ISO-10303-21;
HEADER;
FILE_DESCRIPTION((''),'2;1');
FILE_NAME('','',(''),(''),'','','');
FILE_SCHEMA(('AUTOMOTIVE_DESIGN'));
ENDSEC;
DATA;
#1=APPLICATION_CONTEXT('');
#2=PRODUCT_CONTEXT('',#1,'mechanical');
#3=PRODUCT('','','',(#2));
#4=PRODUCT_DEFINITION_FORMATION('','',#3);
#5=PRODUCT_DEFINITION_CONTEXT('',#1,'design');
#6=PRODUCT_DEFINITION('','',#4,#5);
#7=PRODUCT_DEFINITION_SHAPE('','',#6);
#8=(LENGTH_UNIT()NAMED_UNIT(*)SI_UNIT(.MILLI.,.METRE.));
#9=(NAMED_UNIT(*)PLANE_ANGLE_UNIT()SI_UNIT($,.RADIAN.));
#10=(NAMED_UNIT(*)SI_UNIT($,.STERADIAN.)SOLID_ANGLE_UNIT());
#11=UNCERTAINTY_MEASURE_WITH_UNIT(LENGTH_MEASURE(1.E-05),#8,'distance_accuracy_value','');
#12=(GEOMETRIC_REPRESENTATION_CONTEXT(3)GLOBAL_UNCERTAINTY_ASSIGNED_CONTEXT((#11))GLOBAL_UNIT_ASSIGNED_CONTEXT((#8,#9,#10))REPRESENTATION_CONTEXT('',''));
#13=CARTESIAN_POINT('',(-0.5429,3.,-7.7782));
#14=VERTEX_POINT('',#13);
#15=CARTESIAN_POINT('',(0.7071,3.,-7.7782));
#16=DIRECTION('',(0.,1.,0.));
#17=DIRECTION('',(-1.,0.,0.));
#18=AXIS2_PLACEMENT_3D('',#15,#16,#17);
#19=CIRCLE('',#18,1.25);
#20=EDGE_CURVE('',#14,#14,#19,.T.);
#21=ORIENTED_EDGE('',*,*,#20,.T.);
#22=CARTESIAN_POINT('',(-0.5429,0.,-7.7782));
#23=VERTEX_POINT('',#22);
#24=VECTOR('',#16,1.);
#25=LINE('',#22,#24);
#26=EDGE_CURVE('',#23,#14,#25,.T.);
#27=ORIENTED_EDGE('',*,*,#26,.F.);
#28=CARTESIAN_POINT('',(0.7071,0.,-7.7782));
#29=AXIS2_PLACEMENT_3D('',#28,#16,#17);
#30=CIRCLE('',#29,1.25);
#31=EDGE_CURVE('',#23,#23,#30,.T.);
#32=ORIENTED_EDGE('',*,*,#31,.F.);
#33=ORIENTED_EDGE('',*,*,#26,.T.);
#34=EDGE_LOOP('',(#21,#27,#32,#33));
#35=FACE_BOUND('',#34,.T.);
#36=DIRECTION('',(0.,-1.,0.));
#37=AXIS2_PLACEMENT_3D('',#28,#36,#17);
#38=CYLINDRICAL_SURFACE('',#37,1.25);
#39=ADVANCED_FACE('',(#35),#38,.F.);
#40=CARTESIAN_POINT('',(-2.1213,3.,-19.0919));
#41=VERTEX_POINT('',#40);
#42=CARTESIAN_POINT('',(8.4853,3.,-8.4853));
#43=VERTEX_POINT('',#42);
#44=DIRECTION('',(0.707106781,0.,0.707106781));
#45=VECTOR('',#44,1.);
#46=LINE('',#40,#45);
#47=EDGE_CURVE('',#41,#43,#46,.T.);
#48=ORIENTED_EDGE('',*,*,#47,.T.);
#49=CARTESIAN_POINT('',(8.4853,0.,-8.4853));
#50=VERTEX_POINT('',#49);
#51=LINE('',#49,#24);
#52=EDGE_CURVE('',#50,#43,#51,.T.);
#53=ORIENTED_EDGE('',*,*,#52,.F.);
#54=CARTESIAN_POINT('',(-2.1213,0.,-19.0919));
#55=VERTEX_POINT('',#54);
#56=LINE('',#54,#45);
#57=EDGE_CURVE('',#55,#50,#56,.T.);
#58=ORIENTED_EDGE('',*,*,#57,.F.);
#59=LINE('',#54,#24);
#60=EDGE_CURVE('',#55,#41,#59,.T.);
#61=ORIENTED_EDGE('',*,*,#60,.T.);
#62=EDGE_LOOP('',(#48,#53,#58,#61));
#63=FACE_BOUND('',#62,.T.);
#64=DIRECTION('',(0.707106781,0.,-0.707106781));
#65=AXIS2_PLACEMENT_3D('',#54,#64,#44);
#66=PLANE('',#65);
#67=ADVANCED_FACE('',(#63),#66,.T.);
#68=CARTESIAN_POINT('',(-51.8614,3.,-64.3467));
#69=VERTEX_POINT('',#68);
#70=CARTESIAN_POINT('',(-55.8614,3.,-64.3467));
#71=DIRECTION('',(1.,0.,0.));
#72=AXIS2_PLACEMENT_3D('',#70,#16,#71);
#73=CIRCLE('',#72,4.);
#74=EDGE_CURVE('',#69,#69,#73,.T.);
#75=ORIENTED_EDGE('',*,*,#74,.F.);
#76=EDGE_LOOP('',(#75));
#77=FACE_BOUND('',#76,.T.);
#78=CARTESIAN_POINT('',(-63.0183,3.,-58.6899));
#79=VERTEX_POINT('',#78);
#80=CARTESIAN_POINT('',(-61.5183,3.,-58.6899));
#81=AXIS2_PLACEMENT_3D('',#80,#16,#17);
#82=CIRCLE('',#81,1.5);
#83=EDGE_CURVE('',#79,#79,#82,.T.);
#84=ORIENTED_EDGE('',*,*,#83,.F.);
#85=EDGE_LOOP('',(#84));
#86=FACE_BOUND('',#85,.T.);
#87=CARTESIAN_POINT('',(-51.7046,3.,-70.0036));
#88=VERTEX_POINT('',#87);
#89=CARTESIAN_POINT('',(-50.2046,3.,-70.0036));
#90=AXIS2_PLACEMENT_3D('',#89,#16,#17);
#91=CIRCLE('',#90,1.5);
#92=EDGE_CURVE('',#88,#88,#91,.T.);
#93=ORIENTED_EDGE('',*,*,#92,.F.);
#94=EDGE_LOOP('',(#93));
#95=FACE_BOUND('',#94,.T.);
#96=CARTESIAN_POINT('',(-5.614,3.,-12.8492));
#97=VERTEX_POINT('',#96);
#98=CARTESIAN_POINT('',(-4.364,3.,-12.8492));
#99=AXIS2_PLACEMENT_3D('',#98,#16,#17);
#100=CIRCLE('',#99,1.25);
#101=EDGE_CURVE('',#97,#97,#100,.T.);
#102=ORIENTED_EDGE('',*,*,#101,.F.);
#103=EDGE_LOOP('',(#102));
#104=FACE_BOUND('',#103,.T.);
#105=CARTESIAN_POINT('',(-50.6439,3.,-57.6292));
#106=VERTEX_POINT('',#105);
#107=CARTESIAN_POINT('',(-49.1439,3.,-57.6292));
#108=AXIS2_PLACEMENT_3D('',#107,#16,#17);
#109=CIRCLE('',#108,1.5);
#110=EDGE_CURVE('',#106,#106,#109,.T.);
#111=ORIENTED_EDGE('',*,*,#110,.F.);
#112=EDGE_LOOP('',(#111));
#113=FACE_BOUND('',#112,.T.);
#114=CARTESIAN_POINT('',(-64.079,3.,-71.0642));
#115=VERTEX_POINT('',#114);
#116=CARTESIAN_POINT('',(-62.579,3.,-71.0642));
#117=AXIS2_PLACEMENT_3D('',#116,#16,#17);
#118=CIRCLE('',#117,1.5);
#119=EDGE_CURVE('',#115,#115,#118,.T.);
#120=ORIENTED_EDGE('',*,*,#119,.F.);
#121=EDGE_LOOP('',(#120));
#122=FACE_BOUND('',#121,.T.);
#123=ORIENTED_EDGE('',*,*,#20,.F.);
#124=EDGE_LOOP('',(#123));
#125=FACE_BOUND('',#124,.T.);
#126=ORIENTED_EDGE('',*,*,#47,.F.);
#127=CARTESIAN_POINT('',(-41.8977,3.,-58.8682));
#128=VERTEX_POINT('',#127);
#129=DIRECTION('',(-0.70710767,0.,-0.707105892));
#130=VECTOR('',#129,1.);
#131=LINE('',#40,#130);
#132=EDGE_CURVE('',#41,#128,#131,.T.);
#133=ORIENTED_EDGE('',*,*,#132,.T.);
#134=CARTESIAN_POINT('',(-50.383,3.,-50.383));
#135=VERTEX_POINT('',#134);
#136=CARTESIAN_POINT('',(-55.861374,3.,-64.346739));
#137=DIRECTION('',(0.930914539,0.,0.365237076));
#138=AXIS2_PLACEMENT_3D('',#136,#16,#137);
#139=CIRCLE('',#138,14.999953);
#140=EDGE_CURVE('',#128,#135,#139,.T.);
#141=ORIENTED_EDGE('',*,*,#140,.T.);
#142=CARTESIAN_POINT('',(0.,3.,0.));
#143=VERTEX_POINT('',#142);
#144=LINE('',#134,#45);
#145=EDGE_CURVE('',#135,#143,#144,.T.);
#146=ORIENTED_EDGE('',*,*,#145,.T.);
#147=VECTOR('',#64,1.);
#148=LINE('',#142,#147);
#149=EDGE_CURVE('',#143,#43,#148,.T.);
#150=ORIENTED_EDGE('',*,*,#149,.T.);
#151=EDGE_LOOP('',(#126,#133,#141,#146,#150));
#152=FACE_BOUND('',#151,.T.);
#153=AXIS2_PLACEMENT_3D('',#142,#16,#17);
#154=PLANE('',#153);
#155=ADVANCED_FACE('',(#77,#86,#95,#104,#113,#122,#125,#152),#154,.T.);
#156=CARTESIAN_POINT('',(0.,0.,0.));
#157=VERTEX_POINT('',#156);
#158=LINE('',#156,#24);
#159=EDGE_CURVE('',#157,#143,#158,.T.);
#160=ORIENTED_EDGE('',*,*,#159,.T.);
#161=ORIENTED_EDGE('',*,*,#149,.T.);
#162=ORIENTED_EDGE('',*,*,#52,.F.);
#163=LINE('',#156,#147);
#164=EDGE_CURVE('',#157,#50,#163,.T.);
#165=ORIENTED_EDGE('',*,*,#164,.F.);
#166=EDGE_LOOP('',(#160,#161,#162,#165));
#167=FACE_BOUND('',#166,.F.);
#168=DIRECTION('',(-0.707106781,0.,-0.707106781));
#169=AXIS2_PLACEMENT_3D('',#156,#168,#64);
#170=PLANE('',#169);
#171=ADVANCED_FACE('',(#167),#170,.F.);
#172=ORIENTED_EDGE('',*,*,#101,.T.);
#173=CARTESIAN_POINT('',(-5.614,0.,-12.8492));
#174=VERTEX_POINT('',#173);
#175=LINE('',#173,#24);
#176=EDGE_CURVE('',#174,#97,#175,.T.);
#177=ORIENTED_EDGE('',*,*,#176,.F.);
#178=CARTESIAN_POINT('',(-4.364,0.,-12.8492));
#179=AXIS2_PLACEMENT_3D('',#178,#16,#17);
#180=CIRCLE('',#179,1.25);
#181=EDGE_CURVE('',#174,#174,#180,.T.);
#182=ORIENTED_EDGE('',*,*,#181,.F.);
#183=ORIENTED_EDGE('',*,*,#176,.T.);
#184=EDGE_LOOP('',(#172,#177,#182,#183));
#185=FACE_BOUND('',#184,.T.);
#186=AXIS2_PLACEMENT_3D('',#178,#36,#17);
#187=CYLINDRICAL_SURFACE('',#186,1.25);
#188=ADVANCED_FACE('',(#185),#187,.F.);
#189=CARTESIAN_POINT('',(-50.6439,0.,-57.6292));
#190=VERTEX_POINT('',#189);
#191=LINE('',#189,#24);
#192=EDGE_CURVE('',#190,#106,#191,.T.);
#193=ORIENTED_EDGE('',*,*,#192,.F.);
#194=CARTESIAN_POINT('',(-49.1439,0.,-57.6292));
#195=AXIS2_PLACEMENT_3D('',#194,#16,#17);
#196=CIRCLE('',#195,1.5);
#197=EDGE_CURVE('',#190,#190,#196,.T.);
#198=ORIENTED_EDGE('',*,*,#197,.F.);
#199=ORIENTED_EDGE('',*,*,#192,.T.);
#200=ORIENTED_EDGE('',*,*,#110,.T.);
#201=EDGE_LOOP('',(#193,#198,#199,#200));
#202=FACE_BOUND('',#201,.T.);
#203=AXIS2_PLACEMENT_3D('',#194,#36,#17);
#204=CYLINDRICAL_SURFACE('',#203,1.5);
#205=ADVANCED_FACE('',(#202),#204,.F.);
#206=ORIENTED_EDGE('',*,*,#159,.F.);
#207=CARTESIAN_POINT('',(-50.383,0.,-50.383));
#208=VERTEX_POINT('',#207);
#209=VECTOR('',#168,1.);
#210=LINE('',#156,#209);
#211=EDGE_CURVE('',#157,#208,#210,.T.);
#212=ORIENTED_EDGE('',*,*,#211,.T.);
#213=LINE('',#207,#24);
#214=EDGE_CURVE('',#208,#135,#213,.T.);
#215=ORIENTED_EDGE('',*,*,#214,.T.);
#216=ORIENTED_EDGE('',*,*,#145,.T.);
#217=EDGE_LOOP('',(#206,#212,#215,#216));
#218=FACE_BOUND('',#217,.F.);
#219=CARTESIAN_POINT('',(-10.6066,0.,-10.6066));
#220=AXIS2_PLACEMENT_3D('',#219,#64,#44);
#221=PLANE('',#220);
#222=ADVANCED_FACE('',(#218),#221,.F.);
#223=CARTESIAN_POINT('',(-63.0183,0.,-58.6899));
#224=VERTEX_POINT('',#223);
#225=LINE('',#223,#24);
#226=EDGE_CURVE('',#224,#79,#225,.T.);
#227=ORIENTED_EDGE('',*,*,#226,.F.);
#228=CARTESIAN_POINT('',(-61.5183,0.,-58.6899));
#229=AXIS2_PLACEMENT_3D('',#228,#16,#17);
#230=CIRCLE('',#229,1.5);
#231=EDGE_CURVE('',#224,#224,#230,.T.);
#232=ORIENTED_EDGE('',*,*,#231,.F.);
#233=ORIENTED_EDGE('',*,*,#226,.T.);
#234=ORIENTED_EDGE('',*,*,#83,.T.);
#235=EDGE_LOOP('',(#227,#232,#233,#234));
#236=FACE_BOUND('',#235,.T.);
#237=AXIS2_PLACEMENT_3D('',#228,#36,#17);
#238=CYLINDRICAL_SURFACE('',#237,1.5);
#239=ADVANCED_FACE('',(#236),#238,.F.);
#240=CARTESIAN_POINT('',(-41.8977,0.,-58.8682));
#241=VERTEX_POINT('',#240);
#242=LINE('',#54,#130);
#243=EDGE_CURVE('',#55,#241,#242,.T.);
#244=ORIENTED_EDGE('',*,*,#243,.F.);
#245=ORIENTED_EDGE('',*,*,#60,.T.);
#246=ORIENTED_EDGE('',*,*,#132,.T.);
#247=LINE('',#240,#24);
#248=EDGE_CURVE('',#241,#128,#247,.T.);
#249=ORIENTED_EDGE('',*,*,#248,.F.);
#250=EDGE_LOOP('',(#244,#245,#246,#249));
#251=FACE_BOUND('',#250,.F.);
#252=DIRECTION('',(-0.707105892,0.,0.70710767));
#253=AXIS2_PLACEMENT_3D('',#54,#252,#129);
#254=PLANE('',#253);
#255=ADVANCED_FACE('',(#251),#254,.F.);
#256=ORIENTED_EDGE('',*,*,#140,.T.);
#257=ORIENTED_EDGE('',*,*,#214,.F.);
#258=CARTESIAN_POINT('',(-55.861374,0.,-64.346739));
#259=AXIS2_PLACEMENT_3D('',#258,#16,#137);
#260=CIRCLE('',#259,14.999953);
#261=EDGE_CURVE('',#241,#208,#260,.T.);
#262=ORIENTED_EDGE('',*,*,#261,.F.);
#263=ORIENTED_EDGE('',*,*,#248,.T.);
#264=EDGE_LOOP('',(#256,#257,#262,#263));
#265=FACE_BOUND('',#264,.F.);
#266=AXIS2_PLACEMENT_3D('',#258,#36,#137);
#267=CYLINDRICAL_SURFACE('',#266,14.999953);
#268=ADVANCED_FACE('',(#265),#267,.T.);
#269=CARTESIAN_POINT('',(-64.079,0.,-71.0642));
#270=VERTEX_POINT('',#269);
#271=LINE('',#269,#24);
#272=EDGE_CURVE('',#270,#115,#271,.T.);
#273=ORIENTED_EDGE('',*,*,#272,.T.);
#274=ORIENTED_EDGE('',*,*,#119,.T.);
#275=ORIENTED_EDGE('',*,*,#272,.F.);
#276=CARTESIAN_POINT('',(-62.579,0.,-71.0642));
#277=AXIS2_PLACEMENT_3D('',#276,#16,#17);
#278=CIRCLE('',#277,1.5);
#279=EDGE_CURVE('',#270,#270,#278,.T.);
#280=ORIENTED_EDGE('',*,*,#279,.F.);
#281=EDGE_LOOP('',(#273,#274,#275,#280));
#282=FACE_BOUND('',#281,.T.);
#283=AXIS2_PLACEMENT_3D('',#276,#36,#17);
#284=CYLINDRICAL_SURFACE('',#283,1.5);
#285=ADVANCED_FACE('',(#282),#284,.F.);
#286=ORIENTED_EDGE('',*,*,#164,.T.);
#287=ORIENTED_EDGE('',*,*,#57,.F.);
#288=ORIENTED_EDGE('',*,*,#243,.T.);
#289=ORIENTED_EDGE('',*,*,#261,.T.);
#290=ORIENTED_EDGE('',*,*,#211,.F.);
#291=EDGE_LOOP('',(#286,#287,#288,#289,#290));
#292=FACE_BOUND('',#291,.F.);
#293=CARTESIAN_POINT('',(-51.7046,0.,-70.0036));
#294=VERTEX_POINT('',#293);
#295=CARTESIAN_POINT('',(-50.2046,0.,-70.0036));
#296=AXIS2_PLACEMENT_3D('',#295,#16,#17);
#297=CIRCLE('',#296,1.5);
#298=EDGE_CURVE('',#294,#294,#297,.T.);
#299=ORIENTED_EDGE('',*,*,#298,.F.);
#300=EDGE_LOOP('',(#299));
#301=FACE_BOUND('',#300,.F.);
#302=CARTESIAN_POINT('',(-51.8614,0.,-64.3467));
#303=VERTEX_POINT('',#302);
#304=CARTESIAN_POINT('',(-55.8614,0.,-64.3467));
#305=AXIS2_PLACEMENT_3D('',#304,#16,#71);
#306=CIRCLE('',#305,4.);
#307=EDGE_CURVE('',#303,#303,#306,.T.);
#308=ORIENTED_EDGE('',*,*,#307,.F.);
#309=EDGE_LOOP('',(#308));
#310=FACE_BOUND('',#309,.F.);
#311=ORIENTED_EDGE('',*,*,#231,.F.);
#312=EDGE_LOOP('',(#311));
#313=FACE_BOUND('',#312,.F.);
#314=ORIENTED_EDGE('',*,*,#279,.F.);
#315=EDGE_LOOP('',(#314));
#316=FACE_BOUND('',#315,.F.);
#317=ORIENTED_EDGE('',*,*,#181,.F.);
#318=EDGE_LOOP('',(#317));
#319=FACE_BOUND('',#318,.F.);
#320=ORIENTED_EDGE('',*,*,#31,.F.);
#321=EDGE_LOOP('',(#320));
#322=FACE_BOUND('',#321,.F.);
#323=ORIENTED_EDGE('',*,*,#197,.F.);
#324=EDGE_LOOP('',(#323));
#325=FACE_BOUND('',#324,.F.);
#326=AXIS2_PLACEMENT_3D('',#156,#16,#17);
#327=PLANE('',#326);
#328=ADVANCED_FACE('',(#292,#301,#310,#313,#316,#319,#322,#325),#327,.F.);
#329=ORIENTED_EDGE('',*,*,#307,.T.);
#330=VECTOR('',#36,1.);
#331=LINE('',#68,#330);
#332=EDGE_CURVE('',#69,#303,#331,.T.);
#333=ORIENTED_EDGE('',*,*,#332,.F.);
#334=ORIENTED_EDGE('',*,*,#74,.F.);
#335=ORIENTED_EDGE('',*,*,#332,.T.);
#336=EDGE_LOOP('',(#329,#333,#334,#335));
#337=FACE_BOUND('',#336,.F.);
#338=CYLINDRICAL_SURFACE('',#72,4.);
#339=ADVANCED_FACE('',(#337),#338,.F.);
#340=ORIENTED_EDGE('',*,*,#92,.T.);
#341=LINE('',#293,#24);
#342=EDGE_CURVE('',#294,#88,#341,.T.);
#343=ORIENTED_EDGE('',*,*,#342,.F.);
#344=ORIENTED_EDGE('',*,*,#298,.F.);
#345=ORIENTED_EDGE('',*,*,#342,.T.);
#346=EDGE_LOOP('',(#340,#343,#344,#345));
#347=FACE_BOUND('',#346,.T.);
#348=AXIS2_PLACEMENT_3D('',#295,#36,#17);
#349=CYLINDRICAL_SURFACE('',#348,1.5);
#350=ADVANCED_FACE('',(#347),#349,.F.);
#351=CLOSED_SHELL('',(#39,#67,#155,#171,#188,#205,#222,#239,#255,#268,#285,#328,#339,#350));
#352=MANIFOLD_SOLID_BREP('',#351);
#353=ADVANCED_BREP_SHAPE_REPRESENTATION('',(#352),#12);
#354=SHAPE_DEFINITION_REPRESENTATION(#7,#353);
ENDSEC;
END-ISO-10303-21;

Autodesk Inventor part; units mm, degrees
ref_plane "YZ Plane" through (0, 0, 0) normal (1, 0, 0) x (0, 1, 0)
ref_plane "XZ Plane" through (0, 0, 0) normal (0, 1, 0) x (-1, 0, 0)
ref_plane "XY Plane" through (0, 0, 0) normal (0, 0, 1) x (1, 0, 0)
sketch "Sketch1" plane through (0, 0, 0) normal (0, 1, 0) x (-1, 0, 0)
  circle A0 centre (4.364, -12.8492) radius 1.25
  line L0 (2.1213, -19.0919) -> (-8.4853, -8.4853)
  line L1 (10.6066, -10.6066) -> (0, 0)
  line L2 (0, 0) -> (-8.4853, -8.4853)
  circle A1 centre (-0.7071, -7.7782) radius 1.25
  line L3 (2.1213, -19.0919) -> (41.8977, -58.8682)
  line L4 (10.6066, -10.6066) -> (50.383, -50.383)
  arc A2 (41.8977, -58.8682) -> (50.383, -50.383) centre (55.8614, -64.3467) ccw
  circle A3 centre (62.579, -71.0642) radius 1.5
  circle A4 centre (49.1439, -57.6292) radius 1.5
  circle A5 centre (50.2046, -70.0036) radius 1.5
  circle A6 centre (61.5183, -58.6899) radius 1.5
  point P0 (0, 0)
  dimension "d3" = 3
  dimension "d4" = 3
  dimension "d5" = 3
  dimension "d6" = 3
extrude "Extrusion1" add sketch "Sketch1" along normal blind 3
sketch "Sketch2" plane through (0, 3, 0) normal (0, 1, 0) x (1, 0, 0)
  arc A0 (-41.8977, 58.8682) -> (-50.383, 50.383) centre (-55.8614, 64.3467) ccw projected
  circle A1 centre (-55.8614, 64.3467) radius 4
  point P0 (0, 0)
  dimension "d9" = 8
extrude "Extrusion2" cut sketch "Sketch2" against normal blind 3
properties part number "arm"
